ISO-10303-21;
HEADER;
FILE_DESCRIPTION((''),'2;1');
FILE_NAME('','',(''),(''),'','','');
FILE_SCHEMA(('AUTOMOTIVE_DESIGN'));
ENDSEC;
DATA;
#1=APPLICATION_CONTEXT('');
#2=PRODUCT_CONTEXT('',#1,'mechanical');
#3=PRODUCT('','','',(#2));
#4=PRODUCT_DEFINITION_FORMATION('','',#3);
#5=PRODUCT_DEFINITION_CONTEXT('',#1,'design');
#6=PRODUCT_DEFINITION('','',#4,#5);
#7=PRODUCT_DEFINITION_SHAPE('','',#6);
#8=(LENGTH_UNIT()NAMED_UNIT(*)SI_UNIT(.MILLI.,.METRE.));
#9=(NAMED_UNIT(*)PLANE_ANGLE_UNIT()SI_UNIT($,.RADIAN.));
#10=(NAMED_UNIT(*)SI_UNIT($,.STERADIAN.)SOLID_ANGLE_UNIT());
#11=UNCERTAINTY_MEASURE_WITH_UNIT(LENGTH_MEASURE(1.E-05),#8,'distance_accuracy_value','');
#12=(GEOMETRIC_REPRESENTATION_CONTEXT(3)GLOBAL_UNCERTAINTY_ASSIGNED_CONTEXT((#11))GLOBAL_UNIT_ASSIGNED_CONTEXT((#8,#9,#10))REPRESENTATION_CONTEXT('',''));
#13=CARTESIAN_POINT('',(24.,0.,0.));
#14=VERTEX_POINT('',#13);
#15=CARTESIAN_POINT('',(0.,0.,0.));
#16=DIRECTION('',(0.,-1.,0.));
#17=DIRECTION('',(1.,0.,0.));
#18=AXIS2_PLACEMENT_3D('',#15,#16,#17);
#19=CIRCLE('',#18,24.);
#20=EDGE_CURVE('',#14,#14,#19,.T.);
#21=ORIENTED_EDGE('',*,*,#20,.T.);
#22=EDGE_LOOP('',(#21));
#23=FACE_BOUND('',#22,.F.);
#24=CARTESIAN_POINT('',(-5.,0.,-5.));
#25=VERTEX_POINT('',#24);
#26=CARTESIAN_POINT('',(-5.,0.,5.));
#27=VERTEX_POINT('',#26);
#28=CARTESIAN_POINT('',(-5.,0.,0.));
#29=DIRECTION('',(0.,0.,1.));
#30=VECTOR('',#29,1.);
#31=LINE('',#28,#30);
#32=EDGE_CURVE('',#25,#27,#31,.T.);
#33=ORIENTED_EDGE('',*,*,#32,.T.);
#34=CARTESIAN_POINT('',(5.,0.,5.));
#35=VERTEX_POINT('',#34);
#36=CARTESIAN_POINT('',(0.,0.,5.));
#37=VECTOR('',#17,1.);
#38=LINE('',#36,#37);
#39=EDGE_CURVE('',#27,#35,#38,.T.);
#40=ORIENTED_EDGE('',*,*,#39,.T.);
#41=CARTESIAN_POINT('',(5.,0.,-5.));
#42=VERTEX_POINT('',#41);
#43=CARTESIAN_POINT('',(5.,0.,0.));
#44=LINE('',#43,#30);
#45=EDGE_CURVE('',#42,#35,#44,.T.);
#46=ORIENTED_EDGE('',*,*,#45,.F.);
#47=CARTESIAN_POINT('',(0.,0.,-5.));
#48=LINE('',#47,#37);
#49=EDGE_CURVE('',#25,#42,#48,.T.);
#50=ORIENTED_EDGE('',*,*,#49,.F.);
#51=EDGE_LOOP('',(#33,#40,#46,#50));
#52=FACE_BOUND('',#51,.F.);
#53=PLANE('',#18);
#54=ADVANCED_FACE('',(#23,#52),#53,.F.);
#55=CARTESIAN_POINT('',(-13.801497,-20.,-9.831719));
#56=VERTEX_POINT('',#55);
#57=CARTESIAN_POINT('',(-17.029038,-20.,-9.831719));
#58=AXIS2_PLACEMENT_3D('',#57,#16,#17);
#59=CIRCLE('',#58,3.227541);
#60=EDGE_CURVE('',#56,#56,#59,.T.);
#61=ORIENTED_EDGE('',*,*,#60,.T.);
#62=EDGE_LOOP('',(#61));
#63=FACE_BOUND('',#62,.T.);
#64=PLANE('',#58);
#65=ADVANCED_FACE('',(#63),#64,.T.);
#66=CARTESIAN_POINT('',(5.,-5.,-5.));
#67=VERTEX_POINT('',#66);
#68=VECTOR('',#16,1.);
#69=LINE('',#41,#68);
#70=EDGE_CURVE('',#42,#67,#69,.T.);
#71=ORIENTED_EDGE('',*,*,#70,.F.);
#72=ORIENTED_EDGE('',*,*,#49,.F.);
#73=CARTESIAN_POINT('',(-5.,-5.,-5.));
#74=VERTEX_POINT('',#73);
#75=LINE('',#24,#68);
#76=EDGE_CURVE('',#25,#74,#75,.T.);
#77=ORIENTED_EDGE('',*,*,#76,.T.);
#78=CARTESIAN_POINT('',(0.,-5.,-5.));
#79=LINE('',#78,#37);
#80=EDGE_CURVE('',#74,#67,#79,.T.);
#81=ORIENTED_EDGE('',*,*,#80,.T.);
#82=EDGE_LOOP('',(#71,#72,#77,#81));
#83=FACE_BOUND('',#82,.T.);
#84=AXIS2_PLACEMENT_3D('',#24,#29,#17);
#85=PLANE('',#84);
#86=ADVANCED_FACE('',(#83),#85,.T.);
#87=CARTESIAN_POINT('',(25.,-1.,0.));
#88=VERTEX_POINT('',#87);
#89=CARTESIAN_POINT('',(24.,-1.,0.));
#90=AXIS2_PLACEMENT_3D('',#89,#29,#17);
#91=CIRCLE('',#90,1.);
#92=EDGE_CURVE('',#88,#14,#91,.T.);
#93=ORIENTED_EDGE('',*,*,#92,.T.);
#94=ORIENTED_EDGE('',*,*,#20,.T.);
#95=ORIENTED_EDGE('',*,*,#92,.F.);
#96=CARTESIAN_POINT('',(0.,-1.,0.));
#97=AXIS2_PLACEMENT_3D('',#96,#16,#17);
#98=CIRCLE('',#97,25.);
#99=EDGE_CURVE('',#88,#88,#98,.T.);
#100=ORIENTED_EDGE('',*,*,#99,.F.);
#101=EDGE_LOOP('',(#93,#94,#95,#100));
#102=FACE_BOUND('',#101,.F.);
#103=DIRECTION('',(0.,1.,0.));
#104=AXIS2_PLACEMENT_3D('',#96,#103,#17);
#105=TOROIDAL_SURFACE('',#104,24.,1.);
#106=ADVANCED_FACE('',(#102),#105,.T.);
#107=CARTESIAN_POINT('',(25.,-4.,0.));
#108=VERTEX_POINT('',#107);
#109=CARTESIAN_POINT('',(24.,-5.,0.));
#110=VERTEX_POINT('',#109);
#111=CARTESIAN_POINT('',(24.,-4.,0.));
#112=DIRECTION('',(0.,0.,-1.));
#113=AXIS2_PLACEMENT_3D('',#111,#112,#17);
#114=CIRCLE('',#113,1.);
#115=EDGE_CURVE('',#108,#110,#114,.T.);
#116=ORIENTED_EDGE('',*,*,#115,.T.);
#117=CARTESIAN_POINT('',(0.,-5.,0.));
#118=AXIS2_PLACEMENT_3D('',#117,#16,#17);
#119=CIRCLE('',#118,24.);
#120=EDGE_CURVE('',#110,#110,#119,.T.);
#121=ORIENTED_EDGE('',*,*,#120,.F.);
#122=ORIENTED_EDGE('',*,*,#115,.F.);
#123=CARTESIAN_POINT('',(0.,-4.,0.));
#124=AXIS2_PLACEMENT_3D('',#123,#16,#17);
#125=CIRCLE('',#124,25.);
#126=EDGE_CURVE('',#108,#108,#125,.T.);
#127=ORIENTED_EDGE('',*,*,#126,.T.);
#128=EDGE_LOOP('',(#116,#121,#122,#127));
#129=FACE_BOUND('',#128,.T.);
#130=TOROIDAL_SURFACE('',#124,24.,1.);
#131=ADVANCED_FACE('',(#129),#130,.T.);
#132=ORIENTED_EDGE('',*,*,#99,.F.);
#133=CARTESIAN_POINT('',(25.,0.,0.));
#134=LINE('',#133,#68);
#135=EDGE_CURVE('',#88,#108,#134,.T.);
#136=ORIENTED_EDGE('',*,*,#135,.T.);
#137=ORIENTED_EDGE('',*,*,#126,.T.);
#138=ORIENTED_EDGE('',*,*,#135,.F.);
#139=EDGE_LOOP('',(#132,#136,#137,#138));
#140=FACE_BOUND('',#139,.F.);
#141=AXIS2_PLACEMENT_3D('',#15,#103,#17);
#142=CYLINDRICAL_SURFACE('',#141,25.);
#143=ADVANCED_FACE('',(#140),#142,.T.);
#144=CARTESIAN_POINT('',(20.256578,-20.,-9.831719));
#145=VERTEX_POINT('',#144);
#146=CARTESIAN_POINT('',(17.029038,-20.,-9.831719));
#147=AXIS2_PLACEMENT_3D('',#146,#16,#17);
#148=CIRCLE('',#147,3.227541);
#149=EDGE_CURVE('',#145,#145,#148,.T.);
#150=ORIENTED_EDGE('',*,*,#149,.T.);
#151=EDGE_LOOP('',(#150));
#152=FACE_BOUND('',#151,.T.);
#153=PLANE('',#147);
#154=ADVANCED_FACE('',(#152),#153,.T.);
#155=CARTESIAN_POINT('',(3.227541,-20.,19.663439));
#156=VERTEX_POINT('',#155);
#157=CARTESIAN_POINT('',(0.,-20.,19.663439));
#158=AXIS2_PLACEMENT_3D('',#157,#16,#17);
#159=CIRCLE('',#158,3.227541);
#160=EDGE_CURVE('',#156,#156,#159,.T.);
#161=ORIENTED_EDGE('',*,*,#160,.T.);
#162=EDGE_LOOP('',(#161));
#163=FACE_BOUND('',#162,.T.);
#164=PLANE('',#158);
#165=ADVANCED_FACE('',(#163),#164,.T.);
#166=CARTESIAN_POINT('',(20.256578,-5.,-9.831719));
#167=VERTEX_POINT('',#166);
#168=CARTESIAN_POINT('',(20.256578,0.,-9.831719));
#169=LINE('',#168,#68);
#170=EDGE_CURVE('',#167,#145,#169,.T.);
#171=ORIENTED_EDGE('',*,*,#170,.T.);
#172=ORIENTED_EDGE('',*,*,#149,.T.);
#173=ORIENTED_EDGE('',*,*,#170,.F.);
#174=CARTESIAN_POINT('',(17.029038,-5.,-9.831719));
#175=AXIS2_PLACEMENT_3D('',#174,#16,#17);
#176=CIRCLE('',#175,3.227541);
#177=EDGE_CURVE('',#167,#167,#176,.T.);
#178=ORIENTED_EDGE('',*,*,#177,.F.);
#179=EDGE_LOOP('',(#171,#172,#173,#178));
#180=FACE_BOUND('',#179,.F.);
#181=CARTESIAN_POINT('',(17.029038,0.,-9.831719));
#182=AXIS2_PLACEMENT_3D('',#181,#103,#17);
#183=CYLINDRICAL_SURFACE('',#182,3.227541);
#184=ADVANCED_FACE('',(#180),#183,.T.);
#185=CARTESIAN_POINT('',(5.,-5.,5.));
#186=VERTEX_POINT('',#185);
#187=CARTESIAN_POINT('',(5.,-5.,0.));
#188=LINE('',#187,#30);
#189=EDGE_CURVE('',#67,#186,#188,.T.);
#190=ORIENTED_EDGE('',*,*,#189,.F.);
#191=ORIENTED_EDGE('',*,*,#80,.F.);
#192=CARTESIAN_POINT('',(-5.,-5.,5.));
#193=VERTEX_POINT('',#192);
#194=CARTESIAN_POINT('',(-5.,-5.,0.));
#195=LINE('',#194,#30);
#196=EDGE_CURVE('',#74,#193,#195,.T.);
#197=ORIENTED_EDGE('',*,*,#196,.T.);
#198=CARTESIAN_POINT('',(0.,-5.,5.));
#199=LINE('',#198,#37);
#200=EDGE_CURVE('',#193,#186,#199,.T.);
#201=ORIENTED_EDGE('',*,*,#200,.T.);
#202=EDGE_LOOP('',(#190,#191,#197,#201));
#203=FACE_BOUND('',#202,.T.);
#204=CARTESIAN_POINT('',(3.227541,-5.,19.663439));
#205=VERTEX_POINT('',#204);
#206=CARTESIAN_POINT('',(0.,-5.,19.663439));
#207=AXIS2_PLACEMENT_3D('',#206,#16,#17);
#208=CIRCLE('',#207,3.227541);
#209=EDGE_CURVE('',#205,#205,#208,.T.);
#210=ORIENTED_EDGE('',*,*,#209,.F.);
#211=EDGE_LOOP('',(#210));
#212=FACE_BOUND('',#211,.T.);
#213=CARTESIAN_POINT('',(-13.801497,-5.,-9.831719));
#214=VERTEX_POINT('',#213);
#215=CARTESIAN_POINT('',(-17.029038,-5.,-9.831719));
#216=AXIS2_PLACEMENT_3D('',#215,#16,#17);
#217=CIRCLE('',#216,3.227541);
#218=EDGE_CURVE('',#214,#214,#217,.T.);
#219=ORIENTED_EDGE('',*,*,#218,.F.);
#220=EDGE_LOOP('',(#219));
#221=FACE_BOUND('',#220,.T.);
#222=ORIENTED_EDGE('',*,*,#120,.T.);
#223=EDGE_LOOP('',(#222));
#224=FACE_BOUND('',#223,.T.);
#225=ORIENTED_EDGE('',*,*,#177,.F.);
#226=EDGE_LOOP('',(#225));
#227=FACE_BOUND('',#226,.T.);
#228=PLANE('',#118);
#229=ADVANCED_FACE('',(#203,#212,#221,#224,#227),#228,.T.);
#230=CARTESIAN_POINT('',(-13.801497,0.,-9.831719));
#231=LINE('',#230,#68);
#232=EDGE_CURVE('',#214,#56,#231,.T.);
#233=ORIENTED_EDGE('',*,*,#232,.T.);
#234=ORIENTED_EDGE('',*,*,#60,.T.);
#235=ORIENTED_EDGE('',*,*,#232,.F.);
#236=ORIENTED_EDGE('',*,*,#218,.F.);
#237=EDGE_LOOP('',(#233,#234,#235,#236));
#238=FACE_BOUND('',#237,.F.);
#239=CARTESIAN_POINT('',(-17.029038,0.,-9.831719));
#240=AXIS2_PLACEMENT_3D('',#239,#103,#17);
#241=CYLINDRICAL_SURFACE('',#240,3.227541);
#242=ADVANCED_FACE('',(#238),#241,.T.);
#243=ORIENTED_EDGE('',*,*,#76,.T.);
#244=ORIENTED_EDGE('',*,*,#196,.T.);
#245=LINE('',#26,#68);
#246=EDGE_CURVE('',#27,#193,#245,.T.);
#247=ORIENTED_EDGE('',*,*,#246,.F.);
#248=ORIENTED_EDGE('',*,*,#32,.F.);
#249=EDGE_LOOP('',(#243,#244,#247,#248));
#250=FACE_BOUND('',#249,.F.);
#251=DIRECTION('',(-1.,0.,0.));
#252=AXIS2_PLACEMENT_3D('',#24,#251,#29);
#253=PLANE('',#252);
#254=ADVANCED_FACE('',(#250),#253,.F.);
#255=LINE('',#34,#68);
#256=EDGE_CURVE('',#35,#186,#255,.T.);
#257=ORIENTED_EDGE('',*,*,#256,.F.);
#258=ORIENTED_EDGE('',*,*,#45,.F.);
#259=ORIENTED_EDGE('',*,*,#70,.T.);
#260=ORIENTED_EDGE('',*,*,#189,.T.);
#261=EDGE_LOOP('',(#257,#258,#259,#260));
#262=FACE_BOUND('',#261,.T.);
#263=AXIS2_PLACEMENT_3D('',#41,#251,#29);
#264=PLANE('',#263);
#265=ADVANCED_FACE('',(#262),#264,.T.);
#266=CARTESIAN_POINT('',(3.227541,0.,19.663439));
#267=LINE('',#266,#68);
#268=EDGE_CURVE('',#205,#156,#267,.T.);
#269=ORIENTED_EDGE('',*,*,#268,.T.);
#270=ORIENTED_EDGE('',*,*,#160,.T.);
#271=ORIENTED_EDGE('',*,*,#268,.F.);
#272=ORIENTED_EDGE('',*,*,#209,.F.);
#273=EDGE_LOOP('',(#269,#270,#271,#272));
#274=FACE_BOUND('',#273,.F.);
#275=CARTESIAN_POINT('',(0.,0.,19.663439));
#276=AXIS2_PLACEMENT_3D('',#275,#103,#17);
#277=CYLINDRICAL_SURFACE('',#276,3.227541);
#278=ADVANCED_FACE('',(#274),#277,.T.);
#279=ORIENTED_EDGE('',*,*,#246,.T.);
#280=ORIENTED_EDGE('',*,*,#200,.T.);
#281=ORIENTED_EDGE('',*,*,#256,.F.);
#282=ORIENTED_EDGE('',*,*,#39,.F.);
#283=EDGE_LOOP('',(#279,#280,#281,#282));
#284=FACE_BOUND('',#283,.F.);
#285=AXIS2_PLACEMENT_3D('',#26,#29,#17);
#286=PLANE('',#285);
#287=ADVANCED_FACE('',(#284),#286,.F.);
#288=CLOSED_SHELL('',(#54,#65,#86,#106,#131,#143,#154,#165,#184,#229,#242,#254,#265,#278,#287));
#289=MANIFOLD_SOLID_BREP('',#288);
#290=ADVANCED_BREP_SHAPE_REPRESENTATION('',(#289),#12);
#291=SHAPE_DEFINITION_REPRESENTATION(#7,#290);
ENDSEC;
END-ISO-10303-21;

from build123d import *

# Parameters (mm, degrees)
F0_R     = 3.2275405411
F1_DEPTH = 20
F0_R_2   = 25
F0_W     = 10
F0_H     = 10
F2_DEPTH = 5
F3_R     = 1


with BuildPart() as f1:
    # F0 (on Front) → F1 (new body)
    with BuildSketch(Plane.XZ):
        with Locations((17.0290375666, -9.8317194231)):
            Circle(F0_R)
    extrude(amount=F1_DEPTH)



with BuildPart() as f1b:
    # F0 (on Front) → F1, piece 2 (new body)
    with BuildSketch(Plane.XZ):
        with Locations((-17.0290375666, -9.8317194231)):
            Circle(F0_R)
    extrude(amount=F1_DEPTH)


with BuildPart() as f1c:
    # F0 (on Front) → F1, piece 3 (new body)
    with BuildSketch(Plane.XZ):
        with Locations((0, 19.6634388463)):
            Circle(F0_R)
    extrude(amount=F1_DEPTH)


with BuildPart() as f1_1:
    add(f1.part)

    add(f1b.part)  # F2 merges F1b

    add(f1c.part)  # F2 merges F1c
    # F0 (on Front) → F2 (join)
    with BuildSketch(Plane.XZ):
        Circle(F0_R_2)
        with Locations((-17.0290375666, -9.8317194231)):
            Circle(F0_R, mode=Mode.SUBTRACT)
        with Locations((17.0290375666, -9.8317194231)):
            Circle(F0_R, mode=Mode.SUBTRACT)
        Rectangle(F0_W, F0_H, mode=Mode.SUBTRACT)
        with Locations((0, 19.6634388463)):
            Circle(F0_R, mode=Mode.SUBTRACT)
    extrude(amount=F2_DEPTH)

    # F3
    f3_edges = [f1_1.edges().sort_by_distance(p)[0] for p in [
        (-25, 0, 0),
        (-25, -5, 0),
    ]]
    fillet(f3_edges, radius=F3_R)


solid = f1_1.part
